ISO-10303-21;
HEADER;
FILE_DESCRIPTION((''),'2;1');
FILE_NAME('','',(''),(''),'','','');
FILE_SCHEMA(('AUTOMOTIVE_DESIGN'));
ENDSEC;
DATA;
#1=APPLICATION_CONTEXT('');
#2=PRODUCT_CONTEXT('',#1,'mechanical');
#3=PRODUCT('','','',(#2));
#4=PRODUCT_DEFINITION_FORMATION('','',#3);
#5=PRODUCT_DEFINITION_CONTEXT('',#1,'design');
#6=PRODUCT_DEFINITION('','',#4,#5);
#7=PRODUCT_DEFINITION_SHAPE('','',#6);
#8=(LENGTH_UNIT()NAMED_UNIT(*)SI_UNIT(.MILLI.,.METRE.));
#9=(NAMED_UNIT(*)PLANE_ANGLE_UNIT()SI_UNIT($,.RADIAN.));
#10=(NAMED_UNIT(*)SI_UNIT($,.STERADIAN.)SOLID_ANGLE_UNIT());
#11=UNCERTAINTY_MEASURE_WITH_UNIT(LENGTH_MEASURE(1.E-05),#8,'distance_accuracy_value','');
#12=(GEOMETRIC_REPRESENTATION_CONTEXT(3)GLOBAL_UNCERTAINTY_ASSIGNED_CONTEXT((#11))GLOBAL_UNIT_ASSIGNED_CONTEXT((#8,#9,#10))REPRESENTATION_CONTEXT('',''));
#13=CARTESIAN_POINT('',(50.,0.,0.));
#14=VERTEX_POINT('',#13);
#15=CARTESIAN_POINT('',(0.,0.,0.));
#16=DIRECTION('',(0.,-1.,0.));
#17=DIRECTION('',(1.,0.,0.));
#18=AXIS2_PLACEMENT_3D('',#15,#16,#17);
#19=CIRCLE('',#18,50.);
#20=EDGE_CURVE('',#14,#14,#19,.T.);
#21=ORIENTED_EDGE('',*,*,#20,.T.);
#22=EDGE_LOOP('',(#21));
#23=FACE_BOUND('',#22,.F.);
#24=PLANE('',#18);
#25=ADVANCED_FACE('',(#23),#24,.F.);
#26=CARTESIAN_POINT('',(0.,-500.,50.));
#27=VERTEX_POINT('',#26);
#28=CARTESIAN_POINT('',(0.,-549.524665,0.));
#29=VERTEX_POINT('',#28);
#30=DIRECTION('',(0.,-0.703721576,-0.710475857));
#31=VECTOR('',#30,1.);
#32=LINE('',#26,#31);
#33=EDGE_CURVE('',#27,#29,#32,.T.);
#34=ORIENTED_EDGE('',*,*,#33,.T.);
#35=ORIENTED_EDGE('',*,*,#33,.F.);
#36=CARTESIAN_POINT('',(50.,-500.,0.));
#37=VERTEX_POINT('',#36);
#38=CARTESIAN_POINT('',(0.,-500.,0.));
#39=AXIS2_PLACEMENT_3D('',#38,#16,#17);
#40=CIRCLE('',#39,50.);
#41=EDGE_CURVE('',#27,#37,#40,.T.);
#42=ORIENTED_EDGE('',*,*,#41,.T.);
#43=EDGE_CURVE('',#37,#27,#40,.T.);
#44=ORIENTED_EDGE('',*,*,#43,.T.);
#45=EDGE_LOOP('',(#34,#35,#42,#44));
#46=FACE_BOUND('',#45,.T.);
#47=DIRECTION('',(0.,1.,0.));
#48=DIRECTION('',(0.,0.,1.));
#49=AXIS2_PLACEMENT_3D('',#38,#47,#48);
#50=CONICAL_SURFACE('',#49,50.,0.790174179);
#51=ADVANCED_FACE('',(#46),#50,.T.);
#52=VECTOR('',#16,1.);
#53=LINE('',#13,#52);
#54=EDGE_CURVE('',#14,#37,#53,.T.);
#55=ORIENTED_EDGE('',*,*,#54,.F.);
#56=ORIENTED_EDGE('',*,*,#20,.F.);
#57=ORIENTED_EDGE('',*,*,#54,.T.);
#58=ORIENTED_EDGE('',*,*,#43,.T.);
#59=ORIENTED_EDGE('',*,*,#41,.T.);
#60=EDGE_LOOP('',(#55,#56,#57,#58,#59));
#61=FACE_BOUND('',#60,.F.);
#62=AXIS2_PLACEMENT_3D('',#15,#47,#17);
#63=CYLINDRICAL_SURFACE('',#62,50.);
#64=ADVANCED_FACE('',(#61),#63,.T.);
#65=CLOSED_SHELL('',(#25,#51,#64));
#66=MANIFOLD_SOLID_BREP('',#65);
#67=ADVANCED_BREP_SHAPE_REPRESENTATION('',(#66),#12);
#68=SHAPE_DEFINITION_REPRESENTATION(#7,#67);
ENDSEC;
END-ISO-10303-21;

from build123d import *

# Parameters (mm, degrees)
F0_R     = 50
F1_DEPTH = 500


with BuildPart() as f1:
    # F0 (on Front) → F1 (new body)
    with BuildSketch(Plane.XZ):
        Circle(F0_R)
    extrude(amount=F1_DEPTH)

    # F2 (on Right) → F3 (revolve)
    with BuildSketch(Plane.YZ):
        Polygon((-549.524665, 0), (-500, 0), (-500, 50), align=None)
    revolve(axis=Axis((0, -274.762332, 0), (0, -1, 0)))


solid = f1.part
